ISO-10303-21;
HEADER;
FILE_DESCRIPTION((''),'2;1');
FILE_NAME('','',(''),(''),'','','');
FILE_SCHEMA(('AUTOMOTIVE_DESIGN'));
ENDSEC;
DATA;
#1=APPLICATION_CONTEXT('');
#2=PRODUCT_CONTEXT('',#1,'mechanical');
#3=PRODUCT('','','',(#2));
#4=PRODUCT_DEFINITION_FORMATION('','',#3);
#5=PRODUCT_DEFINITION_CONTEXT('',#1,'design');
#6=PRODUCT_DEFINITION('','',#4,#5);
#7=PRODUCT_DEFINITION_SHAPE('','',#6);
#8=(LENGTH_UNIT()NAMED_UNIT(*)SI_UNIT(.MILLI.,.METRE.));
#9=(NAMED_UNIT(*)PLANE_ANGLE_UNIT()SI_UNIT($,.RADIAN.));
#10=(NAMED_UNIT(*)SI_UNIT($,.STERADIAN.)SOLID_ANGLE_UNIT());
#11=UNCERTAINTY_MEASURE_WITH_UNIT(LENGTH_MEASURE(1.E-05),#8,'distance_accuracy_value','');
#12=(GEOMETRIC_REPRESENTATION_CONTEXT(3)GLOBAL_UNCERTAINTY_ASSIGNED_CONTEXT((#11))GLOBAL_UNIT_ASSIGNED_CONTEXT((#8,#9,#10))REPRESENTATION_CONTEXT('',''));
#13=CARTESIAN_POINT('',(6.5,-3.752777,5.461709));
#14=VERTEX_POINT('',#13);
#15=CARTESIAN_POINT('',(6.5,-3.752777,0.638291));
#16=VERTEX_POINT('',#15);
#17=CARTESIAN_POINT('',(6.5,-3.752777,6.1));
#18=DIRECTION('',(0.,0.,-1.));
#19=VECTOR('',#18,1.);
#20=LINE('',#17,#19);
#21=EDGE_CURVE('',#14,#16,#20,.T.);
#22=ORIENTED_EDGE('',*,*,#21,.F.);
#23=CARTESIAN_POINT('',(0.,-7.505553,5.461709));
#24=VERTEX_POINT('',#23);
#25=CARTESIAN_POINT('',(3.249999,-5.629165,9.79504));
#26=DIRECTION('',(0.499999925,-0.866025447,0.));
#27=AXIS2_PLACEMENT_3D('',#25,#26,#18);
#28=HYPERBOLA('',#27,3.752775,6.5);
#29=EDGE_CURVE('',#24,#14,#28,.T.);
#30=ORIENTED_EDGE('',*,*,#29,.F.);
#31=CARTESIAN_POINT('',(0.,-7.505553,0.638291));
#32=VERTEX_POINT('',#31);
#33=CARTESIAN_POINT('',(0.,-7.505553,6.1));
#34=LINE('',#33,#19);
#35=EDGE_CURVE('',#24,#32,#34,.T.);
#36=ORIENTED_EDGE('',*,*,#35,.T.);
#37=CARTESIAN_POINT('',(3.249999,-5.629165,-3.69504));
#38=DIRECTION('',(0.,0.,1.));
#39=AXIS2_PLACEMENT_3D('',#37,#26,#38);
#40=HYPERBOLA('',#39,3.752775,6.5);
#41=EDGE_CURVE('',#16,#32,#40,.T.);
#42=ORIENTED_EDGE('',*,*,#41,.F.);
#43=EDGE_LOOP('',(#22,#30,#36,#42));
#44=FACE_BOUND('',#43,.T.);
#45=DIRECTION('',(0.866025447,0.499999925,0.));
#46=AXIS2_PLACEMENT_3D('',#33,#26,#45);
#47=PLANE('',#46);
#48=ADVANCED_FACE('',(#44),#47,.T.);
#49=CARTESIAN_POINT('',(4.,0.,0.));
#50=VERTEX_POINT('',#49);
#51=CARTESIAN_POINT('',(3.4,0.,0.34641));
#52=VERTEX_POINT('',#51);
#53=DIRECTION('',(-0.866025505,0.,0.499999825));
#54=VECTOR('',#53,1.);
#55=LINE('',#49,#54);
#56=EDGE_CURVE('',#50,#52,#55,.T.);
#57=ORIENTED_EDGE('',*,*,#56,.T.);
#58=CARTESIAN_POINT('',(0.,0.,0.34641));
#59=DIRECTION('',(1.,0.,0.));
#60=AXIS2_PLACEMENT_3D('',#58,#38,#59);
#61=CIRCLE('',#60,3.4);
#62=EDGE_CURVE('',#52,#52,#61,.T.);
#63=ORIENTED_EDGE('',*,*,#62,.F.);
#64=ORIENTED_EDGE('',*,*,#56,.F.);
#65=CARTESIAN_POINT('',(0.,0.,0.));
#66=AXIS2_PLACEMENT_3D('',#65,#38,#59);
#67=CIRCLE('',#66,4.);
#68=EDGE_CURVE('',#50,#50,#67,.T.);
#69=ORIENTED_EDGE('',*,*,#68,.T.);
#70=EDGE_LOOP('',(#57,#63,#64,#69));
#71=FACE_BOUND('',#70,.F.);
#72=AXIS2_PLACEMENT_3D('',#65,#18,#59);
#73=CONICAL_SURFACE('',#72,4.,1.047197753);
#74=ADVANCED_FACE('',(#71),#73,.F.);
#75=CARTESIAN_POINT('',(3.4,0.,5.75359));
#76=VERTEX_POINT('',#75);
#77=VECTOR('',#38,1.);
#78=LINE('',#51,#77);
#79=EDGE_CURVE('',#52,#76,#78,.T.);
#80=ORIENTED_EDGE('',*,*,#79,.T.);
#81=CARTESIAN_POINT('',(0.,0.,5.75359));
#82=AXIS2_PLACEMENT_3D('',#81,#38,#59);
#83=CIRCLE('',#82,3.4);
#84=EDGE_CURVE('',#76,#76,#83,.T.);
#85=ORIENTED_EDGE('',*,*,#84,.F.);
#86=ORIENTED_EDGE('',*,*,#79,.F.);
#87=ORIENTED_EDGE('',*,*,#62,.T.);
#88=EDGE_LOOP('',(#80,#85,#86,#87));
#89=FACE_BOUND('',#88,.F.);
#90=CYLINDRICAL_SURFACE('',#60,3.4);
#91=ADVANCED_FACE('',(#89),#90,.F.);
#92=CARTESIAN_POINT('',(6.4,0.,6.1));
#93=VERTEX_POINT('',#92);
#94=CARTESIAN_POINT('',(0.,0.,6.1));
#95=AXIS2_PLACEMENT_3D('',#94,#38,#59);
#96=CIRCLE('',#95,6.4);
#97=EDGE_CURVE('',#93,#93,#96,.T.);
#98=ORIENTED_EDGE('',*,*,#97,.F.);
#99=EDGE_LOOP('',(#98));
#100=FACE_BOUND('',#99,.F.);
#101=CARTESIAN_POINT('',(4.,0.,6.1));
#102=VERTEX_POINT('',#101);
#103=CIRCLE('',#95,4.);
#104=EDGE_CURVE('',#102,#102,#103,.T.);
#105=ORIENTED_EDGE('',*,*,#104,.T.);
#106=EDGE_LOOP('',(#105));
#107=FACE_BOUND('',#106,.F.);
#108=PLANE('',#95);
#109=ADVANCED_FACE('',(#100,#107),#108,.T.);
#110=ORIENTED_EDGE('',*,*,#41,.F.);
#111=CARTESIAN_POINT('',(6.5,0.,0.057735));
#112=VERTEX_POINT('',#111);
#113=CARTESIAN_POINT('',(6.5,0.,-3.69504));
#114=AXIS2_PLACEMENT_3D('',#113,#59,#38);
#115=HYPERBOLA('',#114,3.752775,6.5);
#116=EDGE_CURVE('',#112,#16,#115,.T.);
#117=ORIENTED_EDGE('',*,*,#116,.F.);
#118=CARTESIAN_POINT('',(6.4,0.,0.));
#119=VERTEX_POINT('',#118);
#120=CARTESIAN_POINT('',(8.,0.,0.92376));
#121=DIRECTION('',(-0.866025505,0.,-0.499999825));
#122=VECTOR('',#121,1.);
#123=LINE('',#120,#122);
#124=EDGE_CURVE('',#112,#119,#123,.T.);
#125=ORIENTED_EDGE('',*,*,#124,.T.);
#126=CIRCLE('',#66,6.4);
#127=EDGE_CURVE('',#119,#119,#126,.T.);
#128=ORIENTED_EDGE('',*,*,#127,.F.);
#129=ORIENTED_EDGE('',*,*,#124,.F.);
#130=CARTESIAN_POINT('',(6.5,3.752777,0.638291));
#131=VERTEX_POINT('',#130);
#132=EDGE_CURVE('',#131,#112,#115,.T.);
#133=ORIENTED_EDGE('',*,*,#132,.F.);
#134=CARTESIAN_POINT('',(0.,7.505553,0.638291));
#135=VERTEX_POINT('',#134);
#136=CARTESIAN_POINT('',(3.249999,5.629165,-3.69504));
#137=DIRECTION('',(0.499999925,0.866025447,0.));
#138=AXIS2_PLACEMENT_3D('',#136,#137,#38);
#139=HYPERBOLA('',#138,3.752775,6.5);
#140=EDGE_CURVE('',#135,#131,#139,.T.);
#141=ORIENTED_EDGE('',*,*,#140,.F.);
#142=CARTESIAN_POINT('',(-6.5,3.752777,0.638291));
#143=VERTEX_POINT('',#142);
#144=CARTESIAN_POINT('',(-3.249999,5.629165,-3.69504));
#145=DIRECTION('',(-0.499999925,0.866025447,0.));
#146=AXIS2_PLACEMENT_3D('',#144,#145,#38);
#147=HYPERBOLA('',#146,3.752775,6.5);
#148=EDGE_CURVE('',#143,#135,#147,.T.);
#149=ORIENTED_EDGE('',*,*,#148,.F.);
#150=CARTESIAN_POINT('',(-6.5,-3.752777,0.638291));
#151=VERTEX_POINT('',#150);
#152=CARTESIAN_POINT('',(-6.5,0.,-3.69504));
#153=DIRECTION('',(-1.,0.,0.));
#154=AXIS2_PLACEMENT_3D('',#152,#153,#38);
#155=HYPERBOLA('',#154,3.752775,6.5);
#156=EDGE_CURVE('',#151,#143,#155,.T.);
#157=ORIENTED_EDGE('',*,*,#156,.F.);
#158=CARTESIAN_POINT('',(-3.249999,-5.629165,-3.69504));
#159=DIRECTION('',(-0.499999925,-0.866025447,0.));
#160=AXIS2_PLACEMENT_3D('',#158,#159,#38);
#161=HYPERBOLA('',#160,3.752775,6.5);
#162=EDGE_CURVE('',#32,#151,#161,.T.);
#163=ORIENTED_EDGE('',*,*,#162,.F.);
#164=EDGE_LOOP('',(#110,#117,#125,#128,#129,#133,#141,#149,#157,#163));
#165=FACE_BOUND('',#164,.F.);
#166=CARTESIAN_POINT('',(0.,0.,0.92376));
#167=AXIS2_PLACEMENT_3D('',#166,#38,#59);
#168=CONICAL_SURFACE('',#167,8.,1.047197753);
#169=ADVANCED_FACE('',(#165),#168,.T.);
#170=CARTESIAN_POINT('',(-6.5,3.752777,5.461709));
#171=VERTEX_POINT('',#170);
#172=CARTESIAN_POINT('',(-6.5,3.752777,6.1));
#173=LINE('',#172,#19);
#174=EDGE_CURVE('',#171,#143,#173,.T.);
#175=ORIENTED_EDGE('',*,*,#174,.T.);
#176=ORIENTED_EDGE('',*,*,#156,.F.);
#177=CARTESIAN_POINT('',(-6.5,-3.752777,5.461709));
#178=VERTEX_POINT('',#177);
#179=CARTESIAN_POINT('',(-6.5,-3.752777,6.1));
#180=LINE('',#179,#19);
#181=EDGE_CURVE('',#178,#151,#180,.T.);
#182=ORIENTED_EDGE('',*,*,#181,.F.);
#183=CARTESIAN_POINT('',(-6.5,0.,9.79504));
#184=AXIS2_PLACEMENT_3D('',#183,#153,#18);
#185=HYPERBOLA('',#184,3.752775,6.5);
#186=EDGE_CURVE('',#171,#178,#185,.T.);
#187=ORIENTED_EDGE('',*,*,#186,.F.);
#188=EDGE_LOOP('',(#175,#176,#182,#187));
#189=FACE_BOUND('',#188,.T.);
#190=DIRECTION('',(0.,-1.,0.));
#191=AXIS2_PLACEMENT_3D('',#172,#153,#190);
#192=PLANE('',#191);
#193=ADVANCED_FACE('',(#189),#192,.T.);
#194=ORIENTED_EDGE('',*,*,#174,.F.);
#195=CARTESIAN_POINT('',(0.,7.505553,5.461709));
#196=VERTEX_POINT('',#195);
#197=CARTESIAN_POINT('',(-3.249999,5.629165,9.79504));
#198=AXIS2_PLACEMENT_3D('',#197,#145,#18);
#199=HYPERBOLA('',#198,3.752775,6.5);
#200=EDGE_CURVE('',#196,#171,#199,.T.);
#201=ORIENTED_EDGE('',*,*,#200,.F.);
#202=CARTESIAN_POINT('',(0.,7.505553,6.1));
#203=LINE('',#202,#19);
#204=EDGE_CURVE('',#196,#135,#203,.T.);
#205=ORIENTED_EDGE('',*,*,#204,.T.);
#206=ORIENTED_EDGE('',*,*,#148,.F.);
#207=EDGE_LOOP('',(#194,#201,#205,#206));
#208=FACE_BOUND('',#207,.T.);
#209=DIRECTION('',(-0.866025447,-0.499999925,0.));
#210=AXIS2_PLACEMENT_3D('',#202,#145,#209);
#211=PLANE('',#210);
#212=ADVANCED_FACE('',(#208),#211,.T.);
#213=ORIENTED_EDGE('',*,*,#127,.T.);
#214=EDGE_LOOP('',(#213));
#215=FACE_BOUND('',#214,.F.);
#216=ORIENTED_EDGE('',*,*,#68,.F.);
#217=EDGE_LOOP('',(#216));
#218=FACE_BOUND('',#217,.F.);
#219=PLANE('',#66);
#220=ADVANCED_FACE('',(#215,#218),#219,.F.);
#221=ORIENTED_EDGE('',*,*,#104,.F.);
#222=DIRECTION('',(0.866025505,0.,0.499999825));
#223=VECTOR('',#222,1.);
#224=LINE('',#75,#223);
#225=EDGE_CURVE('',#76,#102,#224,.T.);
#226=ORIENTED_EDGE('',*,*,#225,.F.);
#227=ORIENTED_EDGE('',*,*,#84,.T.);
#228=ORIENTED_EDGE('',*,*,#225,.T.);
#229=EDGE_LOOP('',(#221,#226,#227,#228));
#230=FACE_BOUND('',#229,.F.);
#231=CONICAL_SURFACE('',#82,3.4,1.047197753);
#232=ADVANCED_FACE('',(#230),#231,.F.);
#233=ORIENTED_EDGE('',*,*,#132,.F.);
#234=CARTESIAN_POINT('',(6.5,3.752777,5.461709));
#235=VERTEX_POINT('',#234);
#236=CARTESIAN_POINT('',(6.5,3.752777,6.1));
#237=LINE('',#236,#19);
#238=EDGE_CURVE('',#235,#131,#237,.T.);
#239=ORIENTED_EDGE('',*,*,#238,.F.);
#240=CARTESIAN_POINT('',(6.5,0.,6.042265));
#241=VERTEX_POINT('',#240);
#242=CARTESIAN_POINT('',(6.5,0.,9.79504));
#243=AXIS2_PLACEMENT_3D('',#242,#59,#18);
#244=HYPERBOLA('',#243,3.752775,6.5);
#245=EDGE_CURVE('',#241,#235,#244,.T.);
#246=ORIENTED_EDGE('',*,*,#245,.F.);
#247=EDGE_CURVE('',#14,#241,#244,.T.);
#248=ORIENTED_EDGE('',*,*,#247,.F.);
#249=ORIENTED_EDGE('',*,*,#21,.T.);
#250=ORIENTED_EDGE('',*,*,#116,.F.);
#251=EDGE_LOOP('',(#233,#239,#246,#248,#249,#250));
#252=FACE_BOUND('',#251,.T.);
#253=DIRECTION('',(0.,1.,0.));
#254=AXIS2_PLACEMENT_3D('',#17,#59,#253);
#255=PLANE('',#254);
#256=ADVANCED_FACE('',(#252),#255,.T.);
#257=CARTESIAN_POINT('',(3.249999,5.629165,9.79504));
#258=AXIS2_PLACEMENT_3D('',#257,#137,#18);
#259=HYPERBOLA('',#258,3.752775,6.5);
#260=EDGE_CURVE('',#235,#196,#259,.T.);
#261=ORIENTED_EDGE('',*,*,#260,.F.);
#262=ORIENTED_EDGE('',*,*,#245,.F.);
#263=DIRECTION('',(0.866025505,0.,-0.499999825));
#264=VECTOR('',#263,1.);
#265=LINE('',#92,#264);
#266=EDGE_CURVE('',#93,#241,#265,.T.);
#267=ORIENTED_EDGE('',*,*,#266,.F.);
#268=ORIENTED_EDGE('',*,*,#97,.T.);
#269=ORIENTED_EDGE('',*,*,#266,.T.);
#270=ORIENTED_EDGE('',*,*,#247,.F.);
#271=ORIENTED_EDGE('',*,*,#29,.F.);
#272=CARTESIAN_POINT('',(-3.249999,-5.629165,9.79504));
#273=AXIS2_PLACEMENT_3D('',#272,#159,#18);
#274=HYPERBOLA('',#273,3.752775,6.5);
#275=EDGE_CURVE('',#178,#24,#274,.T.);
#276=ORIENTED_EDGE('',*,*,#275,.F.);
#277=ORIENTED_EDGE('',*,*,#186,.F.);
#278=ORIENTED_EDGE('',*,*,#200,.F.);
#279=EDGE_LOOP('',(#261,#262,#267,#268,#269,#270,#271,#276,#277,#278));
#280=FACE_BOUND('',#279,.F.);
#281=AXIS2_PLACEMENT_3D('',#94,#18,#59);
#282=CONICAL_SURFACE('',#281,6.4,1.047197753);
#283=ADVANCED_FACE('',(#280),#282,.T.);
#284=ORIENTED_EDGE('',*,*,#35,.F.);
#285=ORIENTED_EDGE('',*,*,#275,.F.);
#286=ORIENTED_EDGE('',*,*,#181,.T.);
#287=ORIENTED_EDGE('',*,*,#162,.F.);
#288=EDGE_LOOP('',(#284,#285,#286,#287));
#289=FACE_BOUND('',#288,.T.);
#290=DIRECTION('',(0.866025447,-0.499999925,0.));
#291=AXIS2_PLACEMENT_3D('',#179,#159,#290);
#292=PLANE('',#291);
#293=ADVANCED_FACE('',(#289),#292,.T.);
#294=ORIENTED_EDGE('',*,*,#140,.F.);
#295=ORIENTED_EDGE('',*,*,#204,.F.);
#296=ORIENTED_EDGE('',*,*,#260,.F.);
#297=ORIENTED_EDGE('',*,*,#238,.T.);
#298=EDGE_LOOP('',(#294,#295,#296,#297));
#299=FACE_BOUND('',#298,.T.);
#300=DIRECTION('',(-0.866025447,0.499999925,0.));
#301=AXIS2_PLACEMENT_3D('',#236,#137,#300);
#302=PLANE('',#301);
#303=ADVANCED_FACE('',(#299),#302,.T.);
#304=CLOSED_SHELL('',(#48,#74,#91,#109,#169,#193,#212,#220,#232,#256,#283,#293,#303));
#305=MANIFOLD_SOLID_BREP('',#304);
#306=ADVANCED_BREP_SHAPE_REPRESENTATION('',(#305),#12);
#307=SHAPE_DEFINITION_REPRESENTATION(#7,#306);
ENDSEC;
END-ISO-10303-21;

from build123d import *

# Parameters (mm, degrees)
SKETCH001_R  = 8
POCKET_DEPTH = 6.1


with BuildPart() as part:
    # Sketch → Revolution (revolve)
    with BuildSketch(Plane.XZ):
        Polygon((4, 0), (3.4, 0.34641), (3.4, 5.75359), (4, 6.1), (6.4, 6.1), (8, 5.17624), (8, 0.92376), (6.4, 0), align=None)
    revolve(axis=Axis((0, 0, 0), (0, 0, 1)))

    # Sketch001 → Pocket (cut)
    with BuildSketch(Plane(origin=(0, 0, 6.1), x_dir=(-1, 0, 0), z_dir=(0, 0, 1))):
        Circle(SKETCH001_R)
        Polygon((-6.5, 3.752777), (-6.5, -3.752777), (0, -7.505553), (6.5, -3.752777), (6.5, 3.752777), (0, 7.505553), align=None, mode=Mode.SUBTRACT)
    extrude(amount=-POCKET_DEPTH, mode=Mode.SUBTRACT)


solid = part.part
